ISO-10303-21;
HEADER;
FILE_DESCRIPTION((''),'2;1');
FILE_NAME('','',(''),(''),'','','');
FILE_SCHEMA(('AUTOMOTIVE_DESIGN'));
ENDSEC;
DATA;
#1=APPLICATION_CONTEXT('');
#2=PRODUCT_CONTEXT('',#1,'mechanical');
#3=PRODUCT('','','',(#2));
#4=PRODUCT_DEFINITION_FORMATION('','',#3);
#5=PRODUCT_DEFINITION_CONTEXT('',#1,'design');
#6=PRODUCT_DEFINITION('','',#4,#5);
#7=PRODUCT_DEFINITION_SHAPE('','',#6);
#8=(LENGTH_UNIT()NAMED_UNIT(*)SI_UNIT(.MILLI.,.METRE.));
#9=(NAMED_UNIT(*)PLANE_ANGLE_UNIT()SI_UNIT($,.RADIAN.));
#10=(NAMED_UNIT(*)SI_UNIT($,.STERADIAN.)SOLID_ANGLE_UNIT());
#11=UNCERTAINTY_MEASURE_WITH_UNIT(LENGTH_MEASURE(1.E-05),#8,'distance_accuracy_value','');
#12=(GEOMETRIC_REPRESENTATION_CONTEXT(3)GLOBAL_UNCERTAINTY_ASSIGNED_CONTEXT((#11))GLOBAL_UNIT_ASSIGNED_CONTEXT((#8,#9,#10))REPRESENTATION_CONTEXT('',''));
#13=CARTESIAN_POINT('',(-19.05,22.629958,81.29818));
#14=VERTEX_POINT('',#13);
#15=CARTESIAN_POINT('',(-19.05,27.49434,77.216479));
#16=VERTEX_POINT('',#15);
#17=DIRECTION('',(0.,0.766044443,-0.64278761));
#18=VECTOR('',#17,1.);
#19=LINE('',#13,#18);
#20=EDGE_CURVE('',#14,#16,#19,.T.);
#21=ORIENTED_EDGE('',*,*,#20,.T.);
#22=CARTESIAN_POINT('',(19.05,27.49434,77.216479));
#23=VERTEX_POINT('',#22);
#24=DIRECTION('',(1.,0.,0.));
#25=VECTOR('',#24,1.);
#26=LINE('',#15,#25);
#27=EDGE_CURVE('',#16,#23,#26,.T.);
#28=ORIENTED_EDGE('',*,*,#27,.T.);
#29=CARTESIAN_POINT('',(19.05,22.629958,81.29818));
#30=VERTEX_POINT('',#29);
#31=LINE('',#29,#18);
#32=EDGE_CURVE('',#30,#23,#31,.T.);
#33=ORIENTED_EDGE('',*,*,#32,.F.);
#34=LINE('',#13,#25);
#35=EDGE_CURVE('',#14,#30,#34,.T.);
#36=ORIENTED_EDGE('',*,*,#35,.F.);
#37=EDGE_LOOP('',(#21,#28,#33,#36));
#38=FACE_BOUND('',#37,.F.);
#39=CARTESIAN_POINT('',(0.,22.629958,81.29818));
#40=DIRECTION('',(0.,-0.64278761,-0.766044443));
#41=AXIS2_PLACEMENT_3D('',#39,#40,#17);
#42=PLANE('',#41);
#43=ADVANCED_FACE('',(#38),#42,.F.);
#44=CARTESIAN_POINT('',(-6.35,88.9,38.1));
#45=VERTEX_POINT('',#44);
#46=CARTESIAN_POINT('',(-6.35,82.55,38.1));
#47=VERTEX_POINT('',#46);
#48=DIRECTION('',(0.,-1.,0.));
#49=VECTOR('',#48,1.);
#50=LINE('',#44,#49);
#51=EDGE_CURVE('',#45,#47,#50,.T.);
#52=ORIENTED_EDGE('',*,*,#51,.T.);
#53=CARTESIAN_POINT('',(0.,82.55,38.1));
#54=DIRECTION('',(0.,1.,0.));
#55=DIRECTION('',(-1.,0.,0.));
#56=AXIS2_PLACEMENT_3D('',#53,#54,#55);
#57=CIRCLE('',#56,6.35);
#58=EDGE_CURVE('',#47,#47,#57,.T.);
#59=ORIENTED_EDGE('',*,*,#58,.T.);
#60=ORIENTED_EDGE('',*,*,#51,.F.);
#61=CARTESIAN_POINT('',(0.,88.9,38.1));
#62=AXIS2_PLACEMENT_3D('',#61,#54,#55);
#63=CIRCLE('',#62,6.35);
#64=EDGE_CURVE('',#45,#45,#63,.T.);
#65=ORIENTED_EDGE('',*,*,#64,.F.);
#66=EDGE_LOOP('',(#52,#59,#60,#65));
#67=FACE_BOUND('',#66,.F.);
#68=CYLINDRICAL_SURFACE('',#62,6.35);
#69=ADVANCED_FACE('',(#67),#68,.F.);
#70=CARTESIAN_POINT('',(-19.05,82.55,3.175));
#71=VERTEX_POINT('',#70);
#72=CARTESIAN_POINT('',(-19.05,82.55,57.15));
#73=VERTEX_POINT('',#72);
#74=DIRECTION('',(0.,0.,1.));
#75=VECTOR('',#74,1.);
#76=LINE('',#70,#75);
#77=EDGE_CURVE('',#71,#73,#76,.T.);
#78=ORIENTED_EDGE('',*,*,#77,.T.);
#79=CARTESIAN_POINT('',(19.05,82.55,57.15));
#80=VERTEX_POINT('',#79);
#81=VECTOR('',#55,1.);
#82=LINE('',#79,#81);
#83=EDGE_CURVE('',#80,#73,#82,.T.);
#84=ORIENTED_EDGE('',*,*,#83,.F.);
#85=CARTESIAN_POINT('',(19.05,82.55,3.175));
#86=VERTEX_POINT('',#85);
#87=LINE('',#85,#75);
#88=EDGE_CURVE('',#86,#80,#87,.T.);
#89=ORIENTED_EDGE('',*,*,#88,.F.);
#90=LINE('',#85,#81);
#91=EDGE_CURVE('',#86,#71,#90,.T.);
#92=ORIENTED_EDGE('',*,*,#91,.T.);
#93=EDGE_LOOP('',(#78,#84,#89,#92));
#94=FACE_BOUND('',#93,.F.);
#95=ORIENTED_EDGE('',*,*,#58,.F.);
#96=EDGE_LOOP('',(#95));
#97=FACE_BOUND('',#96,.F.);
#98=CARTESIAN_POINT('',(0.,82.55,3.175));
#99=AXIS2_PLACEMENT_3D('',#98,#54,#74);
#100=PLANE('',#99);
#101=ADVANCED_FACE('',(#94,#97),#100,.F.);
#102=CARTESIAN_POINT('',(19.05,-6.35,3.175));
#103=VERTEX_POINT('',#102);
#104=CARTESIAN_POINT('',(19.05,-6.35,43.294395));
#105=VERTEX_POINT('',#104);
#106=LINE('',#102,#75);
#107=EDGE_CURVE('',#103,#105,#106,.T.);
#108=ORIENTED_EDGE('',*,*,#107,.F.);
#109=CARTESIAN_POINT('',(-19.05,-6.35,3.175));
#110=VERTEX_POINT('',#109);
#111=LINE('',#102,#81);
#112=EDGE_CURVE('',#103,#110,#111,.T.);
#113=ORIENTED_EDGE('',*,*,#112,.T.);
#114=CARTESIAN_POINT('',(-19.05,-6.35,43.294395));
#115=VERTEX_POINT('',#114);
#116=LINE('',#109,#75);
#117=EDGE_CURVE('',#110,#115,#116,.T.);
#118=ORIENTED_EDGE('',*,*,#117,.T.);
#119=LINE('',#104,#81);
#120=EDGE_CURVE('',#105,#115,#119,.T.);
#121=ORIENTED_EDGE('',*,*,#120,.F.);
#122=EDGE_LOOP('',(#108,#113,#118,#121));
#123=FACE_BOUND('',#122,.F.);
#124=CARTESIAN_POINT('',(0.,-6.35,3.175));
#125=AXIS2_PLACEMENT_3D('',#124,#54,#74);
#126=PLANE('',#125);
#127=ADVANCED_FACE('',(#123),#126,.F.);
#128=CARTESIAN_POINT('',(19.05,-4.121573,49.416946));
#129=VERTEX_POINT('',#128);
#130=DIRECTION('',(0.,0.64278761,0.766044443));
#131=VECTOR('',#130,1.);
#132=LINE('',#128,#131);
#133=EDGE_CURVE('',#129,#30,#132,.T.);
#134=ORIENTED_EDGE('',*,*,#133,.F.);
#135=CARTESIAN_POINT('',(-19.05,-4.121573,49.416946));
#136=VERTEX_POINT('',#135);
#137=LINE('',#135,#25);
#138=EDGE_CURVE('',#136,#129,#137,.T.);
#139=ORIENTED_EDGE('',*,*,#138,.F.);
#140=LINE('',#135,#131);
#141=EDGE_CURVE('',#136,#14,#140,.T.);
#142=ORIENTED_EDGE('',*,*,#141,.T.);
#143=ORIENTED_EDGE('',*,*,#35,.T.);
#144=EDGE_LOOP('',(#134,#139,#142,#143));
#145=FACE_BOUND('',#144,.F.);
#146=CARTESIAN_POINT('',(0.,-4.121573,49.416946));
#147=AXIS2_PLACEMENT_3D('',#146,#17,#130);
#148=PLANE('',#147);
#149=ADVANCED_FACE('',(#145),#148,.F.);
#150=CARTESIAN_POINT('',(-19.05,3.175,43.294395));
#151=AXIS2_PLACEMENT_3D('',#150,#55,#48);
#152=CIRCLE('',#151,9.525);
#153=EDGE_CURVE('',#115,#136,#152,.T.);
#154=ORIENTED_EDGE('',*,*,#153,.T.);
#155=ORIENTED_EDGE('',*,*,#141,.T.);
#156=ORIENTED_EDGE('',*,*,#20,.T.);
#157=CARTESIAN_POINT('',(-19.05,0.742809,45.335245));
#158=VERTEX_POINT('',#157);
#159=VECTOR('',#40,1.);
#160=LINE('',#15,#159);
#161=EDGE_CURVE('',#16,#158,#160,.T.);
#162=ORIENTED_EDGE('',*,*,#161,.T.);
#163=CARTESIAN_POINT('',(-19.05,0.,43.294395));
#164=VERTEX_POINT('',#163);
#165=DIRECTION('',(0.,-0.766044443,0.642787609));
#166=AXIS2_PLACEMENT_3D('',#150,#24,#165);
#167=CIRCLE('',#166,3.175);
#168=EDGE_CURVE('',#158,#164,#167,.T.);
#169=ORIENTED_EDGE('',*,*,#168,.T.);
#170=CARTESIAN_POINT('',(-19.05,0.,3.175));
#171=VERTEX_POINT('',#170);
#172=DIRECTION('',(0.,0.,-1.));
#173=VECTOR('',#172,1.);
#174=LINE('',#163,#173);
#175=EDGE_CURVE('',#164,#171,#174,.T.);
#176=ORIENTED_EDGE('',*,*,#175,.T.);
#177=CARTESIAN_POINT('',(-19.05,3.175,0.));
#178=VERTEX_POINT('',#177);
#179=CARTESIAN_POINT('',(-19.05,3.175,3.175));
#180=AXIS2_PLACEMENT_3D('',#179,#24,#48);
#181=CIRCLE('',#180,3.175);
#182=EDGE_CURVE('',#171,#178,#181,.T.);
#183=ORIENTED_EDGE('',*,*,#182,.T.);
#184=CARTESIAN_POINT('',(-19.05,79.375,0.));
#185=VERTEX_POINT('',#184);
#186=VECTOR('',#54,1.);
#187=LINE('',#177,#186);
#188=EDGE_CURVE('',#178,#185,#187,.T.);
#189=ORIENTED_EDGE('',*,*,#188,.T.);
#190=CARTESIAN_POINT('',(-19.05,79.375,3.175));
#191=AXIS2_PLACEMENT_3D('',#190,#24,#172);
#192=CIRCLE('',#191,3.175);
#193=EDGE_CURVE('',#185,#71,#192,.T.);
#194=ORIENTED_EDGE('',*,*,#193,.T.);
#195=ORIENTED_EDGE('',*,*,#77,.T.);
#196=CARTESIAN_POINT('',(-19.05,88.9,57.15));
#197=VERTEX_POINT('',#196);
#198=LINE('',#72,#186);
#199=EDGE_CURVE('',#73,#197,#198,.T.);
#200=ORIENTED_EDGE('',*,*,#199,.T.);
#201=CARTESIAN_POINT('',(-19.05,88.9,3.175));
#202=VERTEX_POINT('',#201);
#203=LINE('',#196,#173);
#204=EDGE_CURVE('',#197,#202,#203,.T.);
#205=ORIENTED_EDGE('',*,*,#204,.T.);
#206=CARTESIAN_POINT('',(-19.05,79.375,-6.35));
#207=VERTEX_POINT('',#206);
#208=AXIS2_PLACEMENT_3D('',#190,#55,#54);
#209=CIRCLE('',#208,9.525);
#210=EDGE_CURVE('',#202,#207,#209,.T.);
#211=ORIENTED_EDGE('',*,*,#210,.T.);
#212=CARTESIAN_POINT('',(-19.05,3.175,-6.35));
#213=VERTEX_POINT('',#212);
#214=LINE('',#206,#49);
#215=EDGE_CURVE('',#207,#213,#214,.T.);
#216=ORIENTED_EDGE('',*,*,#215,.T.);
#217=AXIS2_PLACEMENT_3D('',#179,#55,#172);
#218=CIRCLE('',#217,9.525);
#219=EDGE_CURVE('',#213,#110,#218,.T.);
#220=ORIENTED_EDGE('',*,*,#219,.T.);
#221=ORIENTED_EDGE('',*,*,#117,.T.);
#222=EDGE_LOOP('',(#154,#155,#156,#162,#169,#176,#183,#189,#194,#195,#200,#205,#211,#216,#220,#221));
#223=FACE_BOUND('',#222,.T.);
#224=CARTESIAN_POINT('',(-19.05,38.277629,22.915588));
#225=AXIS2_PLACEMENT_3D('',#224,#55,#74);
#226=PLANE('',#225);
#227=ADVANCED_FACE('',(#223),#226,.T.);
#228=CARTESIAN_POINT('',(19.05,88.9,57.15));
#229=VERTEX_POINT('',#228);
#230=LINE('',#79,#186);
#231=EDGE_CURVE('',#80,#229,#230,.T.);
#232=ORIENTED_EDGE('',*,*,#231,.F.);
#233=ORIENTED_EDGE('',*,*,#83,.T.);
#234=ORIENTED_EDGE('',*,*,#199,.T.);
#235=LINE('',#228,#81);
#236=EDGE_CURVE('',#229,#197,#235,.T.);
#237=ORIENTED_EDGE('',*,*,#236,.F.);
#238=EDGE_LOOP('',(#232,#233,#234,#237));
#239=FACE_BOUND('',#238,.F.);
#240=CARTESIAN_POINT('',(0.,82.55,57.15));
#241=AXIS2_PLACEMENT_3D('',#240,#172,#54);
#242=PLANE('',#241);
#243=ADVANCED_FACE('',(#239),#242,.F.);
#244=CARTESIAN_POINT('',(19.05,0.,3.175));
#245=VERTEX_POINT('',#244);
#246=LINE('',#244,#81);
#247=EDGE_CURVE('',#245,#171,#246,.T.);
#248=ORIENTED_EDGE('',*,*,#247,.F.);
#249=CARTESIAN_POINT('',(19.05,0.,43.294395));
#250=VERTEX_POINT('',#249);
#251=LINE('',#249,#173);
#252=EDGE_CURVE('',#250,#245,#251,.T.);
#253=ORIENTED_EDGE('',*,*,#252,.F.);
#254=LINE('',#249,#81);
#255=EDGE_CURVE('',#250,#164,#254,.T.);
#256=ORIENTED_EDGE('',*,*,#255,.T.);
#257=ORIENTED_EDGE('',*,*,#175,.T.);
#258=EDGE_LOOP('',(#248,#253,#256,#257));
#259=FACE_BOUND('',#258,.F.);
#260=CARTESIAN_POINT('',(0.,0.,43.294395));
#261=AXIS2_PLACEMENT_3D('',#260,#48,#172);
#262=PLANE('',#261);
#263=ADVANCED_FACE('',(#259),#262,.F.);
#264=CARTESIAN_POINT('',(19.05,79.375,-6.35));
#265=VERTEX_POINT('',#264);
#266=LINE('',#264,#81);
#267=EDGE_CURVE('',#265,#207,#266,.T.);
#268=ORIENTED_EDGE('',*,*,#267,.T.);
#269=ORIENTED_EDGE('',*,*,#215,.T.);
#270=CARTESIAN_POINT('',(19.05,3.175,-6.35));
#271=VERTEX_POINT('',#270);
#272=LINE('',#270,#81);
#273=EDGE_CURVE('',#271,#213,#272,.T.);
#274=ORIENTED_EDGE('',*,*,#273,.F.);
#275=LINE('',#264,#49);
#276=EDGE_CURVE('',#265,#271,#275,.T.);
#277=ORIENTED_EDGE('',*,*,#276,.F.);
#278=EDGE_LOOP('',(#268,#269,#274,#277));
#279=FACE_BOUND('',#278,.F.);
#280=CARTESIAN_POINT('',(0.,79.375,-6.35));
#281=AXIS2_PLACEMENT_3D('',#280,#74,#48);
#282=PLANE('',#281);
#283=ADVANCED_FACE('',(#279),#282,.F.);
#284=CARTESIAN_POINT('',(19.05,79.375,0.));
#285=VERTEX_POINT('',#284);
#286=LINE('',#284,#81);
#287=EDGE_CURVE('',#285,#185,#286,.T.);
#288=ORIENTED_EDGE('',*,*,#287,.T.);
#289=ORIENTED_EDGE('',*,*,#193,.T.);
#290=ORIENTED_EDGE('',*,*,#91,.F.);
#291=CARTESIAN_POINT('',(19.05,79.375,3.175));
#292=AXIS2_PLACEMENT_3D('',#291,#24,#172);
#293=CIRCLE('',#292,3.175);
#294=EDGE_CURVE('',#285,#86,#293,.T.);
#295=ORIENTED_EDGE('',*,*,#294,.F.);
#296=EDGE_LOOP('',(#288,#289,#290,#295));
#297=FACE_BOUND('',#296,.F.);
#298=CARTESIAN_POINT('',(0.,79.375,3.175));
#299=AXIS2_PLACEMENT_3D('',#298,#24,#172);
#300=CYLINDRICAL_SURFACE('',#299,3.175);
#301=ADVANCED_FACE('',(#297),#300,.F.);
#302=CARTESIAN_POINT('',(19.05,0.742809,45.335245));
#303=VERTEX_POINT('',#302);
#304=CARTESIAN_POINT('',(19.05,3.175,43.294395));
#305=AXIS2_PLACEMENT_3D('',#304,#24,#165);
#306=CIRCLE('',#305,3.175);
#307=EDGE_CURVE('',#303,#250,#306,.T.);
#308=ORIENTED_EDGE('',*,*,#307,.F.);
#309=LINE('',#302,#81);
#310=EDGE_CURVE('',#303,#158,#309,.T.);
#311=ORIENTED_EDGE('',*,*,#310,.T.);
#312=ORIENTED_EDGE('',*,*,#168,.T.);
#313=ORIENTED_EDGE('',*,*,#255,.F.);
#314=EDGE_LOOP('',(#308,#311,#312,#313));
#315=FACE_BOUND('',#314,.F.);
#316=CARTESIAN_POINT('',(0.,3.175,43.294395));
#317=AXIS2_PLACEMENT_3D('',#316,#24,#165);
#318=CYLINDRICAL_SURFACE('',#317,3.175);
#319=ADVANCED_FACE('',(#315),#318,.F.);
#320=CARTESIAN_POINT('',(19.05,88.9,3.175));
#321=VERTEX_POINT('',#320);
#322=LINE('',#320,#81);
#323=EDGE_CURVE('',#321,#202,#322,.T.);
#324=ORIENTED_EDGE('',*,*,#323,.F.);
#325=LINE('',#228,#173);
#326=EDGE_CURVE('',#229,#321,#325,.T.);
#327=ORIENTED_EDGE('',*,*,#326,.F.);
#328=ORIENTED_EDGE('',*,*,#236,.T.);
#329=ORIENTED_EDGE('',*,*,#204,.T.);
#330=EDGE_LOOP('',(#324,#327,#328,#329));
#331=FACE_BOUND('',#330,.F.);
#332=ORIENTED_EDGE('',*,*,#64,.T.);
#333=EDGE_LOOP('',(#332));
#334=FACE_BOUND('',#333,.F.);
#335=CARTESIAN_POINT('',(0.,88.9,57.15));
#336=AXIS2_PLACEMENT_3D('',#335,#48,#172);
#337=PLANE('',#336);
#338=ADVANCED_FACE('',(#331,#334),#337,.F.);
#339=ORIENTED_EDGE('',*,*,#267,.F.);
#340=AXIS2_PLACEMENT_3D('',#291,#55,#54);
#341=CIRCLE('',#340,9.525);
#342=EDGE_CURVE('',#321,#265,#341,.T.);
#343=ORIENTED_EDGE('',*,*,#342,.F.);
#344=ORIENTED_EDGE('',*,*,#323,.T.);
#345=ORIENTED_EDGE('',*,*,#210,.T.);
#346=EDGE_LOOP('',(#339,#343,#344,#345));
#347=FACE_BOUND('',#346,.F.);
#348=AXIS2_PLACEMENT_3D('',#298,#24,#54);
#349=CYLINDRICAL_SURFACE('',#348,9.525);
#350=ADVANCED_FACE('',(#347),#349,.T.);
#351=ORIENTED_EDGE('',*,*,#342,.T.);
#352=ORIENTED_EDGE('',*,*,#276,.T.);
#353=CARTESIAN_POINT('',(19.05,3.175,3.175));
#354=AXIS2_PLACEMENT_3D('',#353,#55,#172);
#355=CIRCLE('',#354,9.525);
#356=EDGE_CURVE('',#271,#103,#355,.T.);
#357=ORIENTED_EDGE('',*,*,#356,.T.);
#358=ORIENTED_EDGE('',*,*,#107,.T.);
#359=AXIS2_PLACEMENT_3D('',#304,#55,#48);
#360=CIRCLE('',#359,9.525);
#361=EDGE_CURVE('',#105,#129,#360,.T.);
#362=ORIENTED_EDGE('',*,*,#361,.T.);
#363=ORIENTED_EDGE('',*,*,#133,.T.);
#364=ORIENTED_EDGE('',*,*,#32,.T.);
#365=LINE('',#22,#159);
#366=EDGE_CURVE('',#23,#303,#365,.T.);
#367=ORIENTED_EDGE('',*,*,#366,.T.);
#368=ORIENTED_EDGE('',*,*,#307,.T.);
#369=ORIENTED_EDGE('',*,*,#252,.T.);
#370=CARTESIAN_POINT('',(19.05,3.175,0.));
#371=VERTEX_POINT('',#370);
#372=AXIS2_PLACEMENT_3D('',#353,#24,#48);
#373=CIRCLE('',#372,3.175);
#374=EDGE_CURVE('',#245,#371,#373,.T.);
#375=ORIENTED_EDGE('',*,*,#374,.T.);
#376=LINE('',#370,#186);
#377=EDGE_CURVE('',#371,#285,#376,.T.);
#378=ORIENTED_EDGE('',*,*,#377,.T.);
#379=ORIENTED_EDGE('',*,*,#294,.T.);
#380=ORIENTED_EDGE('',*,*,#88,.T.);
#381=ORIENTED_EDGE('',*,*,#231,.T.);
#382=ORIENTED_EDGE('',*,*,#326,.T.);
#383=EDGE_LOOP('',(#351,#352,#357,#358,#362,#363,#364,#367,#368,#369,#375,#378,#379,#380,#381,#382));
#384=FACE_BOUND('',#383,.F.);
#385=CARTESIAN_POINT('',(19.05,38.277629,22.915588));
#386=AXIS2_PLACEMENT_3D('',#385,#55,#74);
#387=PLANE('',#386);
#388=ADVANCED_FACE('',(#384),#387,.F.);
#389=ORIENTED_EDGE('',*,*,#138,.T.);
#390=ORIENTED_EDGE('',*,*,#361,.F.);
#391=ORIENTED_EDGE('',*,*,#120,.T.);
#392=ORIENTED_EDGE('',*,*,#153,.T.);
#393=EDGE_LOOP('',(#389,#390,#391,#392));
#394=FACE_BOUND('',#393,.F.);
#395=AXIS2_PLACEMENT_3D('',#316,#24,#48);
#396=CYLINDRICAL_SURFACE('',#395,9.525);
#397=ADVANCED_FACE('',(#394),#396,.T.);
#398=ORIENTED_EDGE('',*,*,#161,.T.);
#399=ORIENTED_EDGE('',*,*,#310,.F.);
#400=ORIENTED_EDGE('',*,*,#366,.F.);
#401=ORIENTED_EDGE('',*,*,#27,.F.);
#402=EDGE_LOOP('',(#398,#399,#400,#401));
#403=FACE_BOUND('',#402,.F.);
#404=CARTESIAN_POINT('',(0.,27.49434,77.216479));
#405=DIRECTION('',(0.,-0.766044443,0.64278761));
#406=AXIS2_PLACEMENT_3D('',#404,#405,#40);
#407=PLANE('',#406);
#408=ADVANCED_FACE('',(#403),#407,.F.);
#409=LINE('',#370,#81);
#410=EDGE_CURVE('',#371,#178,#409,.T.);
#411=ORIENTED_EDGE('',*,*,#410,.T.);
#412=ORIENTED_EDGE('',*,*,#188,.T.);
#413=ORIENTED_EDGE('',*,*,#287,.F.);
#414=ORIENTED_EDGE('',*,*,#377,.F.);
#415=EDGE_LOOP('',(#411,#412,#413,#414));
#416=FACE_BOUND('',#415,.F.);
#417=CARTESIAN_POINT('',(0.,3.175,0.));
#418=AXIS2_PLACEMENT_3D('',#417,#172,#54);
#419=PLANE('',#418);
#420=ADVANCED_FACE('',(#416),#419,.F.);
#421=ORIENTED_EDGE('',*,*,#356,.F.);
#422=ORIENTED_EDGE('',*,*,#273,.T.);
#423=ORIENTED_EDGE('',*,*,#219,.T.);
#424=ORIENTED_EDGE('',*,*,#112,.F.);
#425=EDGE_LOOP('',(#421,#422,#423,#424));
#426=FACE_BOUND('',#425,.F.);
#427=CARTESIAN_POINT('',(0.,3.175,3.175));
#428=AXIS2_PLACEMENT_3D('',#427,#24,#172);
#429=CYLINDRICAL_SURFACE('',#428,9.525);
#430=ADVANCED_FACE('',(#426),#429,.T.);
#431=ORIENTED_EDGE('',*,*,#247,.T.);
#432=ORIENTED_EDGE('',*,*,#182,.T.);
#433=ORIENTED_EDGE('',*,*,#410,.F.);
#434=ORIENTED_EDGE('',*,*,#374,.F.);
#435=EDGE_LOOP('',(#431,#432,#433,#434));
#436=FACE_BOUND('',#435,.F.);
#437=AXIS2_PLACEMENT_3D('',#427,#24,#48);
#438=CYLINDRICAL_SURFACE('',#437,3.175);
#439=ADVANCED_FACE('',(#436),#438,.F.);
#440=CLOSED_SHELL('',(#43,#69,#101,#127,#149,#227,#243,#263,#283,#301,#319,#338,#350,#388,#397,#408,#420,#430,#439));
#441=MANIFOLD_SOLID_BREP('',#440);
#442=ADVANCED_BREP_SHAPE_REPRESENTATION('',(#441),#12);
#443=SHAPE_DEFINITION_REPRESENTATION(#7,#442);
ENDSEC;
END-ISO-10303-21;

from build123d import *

# Parameters (mm, degrees)
BASE_EXTRUDE_THIN_DEPTH = 19.05
CUT_EXTRUDE1_REACH      = 97.25
SKETCH2_R               = 6.35


with BuildPart() as part:
    # Sketch1 → Base-Extrude-Thin (new body, symmetric)
    with BuildSketch(Plane(origin=(0, 0, 0), x_dir=(0, 0, -1), z_dir=(1, 0, 0))):
        with BuildLine():
            Line((-77.216478592, 27.494340102), (-45.335245167, 0.742808893))
            ThreePointArc((-45.335245167, 0.742808893), (-44.380308461, 0.191475929), (-43.294394506, 0))
            Line((-43.294394506, 0), (-3.175, 0))
            ThreePointArc((-3.175, 0), (-0.92993597, 0.92993597), (0, 3.175))
            Line((0, 3.175), (0, 79.375))
            ThreePointArc((0, 79.375), (-0.92993597, 81.62006403), (-3.175, 82.55))
            Line((-3.175, 82.55), (-57.15, 82.55))
            Line((-57.15, 82.55), (-57.15, 88.9))
            Line((-57.15, 88.9), (-3.175, 88.9))
            ThreePointArc((-3.175, 88.9), (3.560192091, 86.110192091), (6.35, 79.375))
            Line((6.35, 79.375), (6.35, 3.175))
            ThreePointArc((6.35, 3.175), (3.560192091, -3.560192091), (-3.175, -6.35))
            Line((-3.175, -6.35), (-43.294394506, -6.35))
            ThreePointArc((-43.294394506, -6.35), (-46.552136371, -5.775572213), (-49.416946488, -4.121573321))
            Line((-49.416946488, -4.121573321), (-81.298179914, 22.629957888))
            Line((-81.298179914, 22.629957888), (-77.216478592, 27.494340102))
        make_face()
    extrude(amount=BASE_EXTRUDE_THIN_DEPTH, both=True)

    # Sketch2 → Cut-Extrude1 (cut, up to next)
    with BuildSketch(Plane(origin=(0, 88.9, 0), x_dir=(-1, 0, 0), z_dir=(0, 1, 0)), mode=Mode.PRIVATE) as cut_extrude1_sk1:
        with Locations((0, 38.1)):
            Circle(SKETCH2_R)
    cut_extrude1_tool1 = extrude(cut_extrude1_sk1.sketch, amount=-CUT_EXTRUDE1_REACH, mode=Mode.PRIVATE) & part.part
    add(cut_extrude1_tool1.solids().sort_by_distance((0, 88.9, 38.1))[0], mode=Mode.SUBTRACT)


solid = part.part
